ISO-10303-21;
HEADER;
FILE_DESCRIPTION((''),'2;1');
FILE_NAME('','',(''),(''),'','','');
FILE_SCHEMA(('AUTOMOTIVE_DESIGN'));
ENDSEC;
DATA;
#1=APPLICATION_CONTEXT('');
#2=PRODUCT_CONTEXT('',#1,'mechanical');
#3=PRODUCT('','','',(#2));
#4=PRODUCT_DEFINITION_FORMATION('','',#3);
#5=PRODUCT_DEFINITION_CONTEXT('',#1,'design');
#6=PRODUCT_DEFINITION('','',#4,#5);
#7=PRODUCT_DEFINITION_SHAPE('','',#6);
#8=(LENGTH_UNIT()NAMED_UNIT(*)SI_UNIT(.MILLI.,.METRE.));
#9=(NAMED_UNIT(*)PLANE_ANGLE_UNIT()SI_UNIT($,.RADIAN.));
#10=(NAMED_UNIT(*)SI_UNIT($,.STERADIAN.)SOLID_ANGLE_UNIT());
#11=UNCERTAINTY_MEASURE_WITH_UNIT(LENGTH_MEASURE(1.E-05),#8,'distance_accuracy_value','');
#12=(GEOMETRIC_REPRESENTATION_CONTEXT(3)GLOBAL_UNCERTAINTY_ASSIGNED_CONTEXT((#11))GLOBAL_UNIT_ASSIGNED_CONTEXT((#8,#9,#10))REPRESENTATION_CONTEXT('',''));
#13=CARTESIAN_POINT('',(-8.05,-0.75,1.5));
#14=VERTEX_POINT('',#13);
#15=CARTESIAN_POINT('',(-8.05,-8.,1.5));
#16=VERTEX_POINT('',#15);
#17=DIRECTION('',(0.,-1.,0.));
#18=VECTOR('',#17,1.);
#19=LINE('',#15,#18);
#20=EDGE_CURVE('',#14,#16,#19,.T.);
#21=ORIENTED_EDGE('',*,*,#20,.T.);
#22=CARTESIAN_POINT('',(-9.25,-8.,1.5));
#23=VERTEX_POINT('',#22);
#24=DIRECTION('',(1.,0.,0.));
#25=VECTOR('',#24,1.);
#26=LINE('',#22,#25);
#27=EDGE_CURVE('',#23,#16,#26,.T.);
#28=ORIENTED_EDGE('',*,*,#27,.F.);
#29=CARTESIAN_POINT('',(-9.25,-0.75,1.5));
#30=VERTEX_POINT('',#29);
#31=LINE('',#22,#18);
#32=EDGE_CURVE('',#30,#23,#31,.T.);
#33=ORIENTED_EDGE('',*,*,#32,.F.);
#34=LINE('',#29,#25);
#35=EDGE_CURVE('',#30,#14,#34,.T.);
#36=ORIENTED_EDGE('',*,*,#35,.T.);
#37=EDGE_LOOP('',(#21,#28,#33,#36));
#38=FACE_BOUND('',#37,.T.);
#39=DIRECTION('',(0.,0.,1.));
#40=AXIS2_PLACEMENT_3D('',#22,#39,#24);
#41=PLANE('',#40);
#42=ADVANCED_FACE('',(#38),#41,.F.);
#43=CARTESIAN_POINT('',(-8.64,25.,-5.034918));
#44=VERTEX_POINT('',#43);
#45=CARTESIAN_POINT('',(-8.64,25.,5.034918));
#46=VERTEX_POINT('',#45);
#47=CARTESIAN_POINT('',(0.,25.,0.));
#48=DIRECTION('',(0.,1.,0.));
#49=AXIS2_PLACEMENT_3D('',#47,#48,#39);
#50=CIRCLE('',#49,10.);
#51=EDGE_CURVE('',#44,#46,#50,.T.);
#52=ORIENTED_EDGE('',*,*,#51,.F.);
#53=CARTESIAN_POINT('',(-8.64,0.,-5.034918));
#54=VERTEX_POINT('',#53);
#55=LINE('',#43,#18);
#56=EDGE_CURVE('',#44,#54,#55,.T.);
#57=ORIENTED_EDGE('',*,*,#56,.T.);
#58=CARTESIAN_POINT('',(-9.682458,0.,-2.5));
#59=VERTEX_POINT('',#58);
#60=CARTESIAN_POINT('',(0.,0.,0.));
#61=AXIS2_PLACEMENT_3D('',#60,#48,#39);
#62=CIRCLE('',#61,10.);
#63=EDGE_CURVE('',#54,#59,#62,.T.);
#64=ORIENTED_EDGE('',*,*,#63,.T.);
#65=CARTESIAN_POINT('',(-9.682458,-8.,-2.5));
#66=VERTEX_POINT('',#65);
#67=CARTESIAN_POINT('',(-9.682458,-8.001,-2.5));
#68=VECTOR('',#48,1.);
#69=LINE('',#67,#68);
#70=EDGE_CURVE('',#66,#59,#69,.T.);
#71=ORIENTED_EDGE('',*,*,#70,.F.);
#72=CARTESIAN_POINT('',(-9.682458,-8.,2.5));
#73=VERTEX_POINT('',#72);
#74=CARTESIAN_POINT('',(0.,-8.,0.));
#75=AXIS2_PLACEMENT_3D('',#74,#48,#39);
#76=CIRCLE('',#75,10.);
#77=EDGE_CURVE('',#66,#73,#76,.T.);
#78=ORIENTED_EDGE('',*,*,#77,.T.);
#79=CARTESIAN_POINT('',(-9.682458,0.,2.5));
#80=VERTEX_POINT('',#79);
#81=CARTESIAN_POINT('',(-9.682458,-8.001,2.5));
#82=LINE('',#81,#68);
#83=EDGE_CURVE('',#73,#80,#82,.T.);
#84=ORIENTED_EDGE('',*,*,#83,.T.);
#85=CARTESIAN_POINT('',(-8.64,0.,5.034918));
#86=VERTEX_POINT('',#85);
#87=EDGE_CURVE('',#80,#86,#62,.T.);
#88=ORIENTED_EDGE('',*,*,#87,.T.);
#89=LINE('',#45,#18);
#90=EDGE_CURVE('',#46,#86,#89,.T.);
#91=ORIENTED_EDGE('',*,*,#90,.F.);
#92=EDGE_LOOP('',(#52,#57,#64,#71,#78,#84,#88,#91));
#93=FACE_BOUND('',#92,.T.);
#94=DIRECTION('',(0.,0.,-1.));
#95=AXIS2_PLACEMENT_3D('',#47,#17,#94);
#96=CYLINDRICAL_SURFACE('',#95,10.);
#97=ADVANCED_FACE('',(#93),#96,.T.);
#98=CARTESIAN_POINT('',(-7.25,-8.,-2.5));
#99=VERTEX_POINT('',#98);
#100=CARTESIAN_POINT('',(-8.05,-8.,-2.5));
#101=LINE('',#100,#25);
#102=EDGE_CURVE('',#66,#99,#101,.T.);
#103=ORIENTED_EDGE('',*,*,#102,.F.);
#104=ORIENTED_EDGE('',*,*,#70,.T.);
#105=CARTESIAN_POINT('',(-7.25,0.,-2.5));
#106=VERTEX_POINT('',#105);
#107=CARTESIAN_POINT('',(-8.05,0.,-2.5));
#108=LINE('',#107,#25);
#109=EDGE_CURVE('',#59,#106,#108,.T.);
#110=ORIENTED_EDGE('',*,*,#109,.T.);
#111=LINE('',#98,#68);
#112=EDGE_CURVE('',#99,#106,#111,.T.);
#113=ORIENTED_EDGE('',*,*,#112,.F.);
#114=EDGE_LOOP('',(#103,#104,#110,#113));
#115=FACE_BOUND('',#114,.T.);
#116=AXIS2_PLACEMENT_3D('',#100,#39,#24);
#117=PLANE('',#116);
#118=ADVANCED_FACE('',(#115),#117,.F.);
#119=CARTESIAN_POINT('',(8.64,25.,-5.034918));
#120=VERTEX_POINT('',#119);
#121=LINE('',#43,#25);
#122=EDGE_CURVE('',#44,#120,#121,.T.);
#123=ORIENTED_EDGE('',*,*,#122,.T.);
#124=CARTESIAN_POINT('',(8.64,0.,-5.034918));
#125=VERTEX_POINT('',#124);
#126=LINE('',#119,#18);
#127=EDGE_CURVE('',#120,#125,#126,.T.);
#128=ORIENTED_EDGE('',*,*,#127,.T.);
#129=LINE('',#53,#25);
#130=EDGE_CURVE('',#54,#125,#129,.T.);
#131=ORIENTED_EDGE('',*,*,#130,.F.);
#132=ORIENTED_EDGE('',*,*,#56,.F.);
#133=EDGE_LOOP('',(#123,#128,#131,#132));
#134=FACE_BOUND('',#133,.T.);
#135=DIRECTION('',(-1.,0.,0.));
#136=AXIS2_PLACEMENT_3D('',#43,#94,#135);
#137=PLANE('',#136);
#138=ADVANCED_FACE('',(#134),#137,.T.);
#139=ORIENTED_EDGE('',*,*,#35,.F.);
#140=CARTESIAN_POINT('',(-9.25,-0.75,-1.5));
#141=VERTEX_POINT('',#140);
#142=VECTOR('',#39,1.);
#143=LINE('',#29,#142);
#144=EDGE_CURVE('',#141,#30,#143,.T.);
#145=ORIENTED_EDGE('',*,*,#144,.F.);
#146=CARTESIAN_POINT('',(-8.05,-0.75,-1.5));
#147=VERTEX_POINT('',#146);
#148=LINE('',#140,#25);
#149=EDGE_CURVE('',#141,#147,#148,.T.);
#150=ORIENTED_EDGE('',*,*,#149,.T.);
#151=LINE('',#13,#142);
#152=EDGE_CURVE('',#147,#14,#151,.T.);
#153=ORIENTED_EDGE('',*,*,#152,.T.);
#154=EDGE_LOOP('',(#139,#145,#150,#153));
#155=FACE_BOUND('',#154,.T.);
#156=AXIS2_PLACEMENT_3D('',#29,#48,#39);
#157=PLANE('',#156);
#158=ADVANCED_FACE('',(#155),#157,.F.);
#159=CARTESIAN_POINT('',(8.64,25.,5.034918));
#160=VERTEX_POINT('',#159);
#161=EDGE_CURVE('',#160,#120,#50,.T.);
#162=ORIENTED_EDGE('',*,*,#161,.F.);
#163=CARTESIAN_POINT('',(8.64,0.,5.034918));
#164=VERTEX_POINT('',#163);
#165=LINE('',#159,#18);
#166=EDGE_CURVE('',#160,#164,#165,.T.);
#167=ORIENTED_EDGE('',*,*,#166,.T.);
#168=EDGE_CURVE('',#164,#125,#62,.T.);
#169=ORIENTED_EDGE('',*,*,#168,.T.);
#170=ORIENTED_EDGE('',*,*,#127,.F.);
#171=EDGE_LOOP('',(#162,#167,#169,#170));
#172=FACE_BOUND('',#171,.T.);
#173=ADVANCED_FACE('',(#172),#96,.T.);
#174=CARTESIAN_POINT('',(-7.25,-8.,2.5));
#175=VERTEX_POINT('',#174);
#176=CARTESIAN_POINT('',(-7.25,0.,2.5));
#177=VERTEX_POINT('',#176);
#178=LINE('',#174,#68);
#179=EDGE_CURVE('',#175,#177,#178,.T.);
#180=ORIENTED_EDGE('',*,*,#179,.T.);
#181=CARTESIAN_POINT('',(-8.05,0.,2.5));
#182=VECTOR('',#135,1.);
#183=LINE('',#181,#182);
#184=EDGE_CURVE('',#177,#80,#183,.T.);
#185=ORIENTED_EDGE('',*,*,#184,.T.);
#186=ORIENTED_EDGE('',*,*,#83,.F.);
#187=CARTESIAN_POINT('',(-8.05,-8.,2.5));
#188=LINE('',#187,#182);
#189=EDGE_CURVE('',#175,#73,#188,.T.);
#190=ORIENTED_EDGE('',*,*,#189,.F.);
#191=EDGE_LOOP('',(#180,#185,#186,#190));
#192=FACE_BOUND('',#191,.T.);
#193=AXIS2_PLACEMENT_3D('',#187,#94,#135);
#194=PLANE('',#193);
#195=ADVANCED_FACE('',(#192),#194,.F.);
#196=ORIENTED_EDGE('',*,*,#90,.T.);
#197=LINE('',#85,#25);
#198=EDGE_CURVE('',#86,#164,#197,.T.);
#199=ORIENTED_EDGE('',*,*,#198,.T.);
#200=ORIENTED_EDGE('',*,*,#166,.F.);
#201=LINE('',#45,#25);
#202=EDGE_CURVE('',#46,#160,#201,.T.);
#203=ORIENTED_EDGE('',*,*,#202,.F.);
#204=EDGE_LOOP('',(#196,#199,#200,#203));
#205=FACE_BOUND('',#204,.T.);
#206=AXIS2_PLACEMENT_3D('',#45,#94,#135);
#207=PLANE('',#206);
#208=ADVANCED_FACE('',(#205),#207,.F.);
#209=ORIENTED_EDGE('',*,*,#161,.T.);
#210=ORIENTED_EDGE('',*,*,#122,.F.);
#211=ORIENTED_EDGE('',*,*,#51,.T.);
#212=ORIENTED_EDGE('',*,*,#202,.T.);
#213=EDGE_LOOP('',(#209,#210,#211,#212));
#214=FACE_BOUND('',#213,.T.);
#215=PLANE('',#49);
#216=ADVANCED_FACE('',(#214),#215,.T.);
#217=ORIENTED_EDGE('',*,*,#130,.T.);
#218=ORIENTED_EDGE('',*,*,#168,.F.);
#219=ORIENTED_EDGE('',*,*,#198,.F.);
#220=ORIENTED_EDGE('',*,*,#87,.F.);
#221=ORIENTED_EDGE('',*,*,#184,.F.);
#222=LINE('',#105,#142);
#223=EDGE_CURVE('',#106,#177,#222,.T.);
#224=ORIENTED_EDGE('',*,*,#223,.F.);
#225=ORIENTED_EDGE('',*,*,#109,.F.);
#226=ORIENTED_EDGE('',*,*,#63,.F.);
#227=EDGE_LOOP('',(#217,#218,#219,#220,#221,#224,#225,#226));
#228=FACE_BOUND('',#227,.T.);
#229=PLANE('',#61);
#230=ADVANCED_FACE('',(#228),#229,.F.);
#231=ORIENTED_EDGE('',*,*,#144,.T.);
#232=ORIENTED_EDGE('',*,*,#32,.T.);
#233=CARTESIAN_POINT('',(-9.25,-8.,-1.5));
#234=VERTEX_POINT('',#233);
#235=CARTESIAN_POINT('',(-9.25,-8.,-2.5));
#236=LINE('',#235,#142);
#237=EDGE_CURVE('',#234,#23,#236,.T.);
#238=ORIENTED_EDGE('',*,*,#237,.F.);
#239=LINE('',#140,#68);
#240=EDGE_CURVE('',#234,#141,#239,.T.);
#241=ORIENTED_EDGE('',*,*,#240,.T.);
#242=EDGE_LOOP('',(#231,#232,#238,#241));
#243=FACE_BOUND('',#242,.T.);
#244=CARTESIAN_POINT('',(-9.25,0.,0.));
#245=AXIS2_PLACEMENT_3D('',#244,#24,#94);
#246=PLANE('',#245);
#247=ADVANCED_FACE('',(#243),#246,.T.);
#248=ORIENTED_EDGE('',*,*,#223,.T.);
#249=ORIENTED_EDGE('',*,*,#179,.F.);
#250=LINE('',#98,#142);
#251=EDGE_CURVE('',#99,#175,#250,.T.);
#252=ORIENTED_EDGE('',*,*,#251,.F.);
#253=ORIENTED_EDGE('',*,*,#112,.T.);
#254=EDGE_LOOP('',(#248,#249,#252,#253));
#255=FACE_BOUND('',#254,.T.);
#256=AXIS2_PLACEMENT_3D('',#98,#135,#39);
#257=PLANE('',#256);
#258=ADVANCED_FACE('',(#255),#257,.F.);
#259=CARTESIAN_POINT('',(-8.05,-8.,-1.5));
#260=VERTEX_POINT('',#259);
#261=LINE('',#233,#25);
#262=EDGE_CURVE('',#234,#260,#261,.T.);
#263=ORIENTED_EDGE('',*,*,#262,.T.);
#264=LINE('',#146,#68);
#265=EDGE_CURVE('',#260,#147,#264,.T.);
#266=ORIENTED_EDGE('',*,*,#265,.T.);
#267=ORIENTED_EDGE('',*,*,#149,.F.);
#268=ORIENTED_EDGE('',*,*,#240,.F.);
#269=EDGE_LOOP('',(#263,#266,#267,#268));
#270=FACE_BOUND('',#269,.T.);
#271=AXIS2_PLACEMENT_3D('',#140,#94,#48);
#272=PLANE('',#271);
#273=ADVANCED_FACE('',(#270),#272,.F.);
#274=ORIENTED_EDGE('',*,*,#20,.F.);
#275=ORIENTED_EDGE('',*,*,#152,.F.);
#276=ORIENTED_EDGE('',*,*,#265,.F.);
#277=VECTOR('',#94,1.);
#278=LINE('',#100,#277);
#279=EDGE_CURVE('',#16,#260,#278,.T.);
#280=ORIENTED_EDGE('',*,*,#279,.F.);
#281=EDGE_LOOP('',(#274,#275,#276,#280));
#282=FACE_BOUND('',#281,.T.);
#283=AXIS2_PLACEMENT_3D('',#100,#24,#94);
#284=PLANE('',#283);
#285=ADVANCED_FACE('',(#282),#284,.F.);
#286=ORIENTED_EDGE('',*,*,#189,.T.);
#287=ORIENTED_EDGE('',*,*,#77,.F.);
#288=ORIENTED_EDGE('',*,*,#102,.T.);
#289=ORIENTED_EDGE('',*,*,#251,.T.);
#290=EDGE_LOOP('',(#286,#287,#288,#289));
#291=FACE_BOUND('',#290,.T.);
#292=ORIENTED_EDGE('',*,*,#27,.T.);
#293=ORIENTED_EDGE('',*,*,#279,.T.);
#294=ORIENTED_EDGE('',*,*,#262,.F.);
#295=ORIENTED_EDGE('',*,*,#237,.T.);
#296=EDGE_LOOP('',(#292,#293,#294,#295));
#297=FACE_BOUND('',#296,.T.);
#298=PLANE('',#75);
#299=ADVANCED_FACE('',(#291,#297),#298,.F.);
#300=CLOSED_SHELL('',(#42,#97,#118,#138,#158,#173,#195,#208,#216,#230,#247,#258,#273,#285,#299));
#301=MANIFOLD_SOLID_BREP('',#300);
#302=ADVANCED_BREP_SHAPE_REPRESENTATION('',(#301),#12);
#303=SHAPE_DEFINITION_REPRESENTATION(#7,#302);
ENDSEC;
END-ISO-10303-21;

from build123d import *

# Parameters (mm, degrees)
SKETCH1_R           = 10
BOSS_EXTRUDE1_DEPTH = 25
SKETCH2_W           = 0.8
SKETCH2_H           = 5
BOSS_EXTRUDE2_DEPTH = 8
BOSS_EXTRUDE3_DEPTH = 1.2
CUT_EXTRUDE1_DEPTH  = 25
SKETCH6_W           = 5
SKETCH6_H           = 8
BOSS_EXTRUDE4_DEPTH = 0.8
CUT_EXTRUDE2_REACH  = 29.411


with BuildPart() as part:
    # Sketch1 → Boss-Extrude1 (new body)
    with BuildSketch(Plane(origin=(0, 0, 0), x_dir=(1, 0, 0), z_dir=(0, 1, 0))):
        with Locations(Location((0, 0, 0), (0, 0, 270))):
            Circle(SKETCH1_R)
    extrude(amount=BOSS_EXTRUDE1_DEPTH)

    # Sketch5 → Cut-Extrude1 (cut)
    with BuildSketch(Plane.XZ):
        with BuildLine():
            Line((-8.64, -5.034918073), (8.64, -5.034918073))
            ThreePointArc((8.64, -5.034918073), (0, -10), (-8.64, -5.034918073))
        make_face()
        with BuildLine():
            Line((-8.64, 5.034918073), (8.64, 5.034918073))
            ThreePointArc((8.64, 5.034918073), (0, 10), (-8.64, 5.034918073))
        make_face()
    extrude(amount=-CUT_EXTRUDE1_DEPTH, mode=Mode.SUBTRACT)



with BuildPart() as body_2:
    # Sketch2 → Boss-Extrude2 (new body)
    with BuildSketch(Plane(origin=(0, 0, 0), x_dir=(-1, 0, 0), z_dir=(0, -1, 0))):
        with Locations((7.65, 0)):
            Rectangle(SKETCH2_W, SKETCH2_H)
    extrude(amount=BOSS_EXTRUDE2_DEPTH)

    # Sketch3 → Boss-Extrude3 (add)
    with BuildSketch(Plane.ZY.offset(8.05)):
        Polygon((-2.5, -8), (-2.5, 0), (2.5, 0), (2.5, -8), (1.5, -8), (1.5, -0.75), (-1.5, -0.75), (-1.5, -8), align=None)
    extrude(amount=BOSS_EXTRUDE3_DEPTH)


with BuildPart() as part_1:
    add(part.part)

    add(body_2.part)  # Boss-Extrude4 merges body 2
    # Sketch6 → Boss-Extrude4 (add)
    with BuildSketch(Plane.ZY.offset(9.25)):
        with Locations((0, -4)):
            Rectangle(SKETCH6_W, SKETCH6_H)
    extrude(amount=BOSS_EXTRUDE4_DEPTH)

    # Sketch7 → Cut-Extrude2 (cut, up to next)
    with BuildSketch(Plane(origin=(0, 0, 0), x_dir=(1, 0, 0), z_dir=(0, 1, 0)), mode=Mode.PRIVATE) as cut_extrude2_sk1:
        with BuildLine():
            Line((-9.682458366, 2.5), (-10.05, 2.5))
            Line((-10.05, 2.5), (-10.05, -2.5))
            Line((-10.05, -2.5), (-9.682458366, -2.5))
            ThreePointArc((-9.682458366, -2.5), (-10, 0), (-9.682458366, 2.5))
        make_face()
    cut_extrude2_tool1 = extrude(cut_extrude2_sk1.sketch, amount=-CUT_EXTRUDE2_REACH, mode=Mode.PRIVATE) & part_1.part
    add(cut_extrude2_tool1.solids().sort_by_distance((-9.866229, 0, -2.449865))[0], mode=Mode.SUBTRACT)


solid = part_1.part
